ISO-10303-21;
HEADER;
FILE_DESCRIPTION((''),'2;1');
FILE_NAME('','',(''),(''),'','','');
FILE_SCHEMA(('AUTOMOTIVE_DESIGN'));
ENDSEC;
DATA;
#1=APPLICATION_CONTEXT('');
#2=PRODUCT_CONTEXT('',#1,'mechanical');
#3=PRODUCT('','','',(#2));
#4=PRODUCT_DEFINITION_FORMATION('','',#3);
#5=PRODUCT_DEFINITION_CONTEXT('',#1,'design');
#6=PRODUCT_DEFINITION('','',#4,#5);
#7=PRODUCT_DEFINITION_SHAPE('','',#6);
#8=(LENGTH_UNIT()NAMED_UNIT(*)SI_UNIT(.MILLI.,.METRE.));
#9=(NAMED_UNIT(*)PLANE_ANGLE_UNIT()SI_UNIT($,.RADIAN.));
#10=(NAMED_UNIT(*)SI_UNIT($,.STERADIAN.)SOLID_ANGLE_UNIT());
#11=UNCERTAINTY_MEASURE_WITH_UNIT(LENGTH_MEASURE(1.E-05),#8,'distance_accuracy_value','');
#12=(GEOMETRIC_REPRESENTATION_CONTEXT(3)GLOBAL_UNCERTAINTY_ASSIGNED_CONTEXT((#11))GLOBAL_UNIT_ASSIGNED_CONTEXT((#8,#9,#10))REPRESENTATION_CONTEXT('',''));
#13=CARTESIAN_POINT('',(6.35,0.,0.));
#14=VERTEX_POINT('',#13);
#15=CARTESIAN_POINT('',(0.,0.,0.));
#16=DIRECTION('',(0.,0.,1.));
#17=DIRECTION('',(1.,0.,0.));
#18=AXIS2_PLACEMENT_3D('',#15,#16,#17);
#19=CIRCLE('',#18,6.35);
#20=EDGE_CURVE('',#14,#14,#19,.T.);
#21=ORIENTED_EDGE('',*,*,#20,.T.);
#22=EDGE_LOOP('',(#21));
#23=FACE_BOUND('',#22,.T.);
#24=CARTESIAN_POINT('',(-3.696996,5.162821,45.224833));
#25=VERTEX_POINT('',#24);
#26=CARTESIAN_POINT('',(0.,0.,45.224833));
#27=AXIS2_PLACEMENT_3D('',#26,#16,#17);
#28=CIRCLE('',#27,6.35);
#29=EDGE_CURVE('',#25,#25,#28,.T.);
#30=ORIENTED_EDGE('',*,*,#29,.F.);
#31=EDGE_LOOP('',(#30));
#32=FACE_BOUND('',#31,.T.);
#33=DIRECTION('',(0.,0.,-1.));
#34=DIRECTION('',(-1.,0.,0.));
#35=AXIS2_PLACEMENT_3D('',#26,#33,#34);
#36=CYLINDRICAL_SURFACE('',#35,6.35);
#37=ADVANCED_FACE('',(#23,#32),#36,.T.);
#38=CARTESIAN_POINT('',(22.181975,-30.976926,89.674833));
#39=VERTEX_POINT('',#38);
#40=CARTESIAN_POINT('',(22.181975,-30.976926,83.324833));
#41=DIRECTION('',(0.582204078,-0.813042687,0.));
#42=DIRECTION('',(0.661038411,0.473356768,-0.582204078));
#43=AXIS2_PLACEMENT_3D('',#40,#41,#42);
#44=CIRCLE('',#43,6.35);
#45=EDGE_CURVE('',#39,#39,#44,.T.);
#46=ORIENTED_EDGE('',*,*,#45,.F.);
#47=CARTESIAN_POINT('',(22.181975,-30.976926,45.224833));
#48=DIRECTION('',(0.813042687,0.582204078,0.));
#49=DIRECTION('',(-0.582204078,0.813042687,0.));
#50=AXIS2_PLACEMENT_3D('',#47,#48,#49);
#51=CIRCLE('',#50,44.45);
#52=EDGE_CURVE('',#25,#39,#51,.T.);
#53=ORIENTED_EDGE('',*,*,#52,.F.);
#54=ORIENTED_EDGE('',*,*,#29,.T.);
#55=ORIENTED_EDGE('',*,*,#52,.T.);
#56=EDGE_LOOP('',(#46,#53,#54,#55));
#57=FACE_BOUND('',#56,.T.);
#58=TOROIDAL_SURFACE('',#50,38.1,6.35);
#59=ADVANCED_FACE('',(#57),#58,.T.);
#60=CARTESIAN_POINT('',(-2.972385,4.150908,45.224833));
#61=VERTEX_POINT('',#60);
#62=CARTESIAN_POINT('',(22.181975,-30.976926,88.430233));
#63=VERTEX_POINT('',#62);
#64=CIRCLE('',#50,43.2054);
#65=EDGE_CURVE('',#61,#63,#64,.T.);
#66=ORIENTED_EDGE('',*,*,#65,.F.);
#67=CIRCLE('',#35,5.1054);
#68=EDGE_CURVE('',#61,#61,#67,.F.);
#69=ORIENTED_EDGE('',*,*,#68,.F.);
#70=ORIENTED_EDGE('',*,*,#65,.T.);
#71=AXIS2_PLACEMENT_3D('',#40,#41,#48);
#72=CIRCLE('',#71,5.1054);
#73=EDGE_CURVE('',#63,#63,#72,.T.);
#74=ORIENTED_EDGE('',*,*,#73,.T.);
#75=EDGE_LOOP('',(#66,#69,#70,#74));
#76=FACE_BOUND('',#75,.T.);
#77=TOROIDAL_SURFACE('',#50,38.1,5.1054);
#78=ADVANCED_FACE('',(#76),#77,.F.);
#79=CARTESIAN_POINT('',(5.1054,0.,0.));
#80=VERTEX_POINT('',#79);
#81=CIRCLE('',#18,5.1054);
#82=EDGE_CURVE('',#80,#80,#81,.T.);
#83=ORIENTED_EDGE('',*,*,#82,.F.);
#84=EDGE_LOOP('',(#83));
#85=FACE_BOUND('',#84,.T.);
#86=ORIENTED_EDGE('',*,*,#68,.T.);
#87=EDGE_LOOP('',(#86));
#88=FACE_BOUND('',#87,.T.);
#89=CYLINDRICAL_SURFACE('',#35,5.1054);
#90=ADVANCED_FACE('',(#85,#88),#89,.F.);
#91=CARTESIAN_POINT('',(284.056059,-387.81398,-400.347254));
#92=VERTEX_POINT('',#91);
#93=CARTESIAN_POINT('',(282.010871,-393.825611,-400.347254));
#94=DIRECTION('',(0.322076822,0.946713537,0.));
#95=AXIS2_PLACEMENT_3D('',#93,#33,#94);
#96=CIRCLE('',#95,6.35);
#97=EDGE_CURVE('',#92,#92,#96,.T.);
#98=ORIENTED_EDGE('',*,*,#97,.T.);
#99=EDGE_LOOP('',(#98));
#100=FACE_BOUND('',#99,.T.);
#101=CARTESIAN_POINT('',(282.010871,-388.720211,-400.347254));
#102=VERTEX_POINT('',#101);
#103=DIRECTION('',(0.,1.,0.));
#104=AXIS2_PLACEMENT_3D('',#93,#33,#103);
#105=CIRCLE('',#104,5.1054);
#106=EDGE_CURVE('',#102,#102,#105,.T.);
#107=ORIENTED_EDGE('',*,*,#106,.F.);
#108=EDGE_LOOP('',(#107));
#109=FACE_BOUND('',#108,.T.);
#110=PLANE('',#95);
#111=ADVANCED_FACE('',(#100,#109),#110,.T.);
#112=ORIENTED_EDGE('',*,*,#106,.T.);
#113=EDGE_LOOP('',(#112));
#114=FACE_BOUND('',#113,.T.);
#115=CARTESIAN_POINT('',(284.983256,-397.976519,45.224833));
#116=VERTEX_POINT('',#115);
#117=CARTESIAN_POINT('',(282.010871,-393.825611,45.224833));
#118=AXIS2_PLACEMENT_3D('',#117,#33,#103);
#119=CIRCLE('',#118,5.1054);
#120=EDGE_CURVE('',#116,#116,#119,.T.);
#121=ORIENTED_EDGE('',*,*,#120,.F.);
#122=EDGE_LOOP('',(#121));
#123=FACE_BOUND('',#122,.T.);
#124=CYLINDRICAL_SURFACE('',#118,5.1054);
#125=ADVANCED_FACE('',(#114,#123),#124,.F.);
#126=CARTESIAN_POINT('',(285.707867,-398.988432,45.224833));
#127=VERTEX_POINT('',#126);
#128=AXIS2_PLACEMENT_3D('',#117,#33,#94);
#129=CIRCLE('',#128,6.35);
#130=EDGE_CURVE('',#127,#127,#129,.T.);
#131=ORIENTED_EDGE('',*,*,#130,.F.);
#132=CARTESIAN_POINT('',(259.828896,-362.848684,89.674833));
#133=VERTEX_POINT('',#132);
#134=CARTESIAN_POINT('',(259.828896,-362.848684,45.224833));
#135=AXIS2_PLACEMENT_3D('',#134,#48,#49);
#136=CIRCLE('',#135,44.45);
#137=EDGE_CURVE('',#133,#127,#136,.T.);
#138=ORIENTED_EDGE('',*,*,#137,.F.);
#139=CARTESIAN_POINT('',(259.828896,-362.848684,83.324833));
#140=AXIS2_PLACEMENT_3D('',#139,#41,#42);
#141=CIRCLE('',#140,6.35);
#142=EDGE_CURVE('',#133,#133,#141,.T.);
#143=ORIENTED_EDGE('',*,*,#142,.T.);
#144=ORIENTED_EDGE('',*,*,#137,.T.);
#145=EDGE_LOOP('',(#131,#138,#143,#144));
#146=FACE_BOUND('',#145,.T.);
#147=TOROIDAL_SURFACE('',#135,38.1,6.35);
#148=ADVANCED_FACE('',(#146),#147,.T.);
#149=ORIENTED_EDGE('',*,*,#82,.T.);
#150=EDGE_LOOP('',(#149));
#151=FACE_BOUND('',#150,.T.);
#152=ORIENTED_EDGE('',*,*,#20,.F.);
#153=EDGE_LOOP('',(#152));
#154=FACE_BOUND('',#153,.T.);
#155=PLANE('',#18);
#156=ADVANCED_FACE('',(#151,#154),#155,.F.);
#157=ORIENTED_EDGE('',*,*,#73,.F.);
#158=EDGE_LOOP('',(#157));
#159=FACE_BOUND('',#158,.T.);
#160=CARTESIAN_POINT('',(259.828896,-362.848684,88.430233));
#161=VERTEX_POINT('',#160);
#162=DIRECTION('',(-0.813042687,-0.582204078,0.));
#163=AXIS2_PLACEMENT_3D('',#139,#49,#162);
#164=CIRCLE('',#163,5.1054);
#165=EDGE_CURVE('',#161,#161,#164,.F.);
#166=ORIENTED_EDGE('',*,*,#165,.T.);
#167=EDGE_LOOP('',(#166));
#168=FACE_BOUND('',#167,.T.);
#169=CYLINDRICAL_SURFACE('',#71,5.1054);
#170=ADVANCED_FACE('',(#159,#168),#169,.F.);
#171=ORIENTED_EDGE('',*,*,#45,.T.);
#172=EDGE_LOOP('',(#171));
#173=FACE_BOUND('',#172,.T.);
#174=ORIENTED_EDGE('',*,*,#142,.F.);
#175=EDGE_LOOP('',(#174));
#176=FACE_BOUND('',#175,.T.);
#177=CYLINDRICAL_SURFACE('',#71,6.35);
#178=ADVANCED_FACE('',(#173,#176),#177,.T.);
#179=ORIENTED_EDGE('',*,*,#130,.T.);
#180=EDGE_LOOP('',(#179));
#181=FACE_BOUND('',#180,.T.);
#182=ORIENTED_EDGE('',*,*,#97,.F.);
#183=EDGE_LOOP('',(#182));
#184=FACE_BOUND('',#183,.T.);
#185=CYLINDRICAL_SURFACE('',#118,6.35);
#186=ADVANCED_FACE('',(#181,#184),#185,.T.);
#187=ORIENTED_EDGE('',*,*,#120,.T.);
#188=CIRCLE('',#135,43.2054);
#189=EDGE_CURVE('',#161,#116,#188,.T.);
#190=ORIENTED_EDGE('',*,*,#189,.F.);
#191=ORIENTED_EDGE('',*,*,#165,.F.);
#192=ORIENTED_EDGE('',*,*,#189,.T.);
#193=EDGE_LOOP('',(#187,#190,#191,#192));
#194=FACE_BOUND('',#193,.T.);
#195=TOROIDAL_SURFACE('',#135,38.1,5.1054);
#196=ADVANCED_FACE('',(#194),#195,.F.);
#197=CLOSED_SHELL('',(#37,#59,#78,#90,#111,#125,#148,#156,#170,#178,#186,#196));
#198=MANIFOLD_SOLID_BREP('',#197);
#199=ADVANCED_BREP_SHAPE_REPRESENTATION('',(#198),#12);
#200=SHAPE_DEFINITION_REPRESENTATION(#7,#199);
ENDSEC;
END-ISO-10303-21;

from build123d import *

# Parameters (mm, degrees)
PIPESKETCH_R   = 6.35
PIPESKETCH_R_2 = 5.1054


with BuildPart() as part:
    # ThinSweep: sweep along a curve in space
    with BuildLine() as thinsweep_path:
        Line((0, 0, 0), (0, 0, 45.224833485))
        ThreePointArc((0, 0, 45.224833485), (6.49695017, -9.072931676, 72.165601848), (22.181975386, -30.97692638, 83.324833485))
        Line((22.181975386, -30.97692638, 83.324833485), (259.82889592, -362.848684139, 83.324833485))
        ThreePointArc((282.010871306, -393.825610519, 45.224833485), (275.513921135, -384.752678843, 72.165601848), (259.82889592, -362.848684139, 83.324833485))
        Line((282.010871306, -393.825610519, -400.347253913), (282.010871306, -393.825610519, 45.224833485))
    # PipeSketch → ThinSweep (sweep)
    with BuildSketch(Plane.XY):
        Circle(PIPESKETCH_R)
        Circle(PIPESKETCH_R_2, mode=Mode.SUBTRACT)
    sweep(path=thinsweep_path.line)


solid = part.part
